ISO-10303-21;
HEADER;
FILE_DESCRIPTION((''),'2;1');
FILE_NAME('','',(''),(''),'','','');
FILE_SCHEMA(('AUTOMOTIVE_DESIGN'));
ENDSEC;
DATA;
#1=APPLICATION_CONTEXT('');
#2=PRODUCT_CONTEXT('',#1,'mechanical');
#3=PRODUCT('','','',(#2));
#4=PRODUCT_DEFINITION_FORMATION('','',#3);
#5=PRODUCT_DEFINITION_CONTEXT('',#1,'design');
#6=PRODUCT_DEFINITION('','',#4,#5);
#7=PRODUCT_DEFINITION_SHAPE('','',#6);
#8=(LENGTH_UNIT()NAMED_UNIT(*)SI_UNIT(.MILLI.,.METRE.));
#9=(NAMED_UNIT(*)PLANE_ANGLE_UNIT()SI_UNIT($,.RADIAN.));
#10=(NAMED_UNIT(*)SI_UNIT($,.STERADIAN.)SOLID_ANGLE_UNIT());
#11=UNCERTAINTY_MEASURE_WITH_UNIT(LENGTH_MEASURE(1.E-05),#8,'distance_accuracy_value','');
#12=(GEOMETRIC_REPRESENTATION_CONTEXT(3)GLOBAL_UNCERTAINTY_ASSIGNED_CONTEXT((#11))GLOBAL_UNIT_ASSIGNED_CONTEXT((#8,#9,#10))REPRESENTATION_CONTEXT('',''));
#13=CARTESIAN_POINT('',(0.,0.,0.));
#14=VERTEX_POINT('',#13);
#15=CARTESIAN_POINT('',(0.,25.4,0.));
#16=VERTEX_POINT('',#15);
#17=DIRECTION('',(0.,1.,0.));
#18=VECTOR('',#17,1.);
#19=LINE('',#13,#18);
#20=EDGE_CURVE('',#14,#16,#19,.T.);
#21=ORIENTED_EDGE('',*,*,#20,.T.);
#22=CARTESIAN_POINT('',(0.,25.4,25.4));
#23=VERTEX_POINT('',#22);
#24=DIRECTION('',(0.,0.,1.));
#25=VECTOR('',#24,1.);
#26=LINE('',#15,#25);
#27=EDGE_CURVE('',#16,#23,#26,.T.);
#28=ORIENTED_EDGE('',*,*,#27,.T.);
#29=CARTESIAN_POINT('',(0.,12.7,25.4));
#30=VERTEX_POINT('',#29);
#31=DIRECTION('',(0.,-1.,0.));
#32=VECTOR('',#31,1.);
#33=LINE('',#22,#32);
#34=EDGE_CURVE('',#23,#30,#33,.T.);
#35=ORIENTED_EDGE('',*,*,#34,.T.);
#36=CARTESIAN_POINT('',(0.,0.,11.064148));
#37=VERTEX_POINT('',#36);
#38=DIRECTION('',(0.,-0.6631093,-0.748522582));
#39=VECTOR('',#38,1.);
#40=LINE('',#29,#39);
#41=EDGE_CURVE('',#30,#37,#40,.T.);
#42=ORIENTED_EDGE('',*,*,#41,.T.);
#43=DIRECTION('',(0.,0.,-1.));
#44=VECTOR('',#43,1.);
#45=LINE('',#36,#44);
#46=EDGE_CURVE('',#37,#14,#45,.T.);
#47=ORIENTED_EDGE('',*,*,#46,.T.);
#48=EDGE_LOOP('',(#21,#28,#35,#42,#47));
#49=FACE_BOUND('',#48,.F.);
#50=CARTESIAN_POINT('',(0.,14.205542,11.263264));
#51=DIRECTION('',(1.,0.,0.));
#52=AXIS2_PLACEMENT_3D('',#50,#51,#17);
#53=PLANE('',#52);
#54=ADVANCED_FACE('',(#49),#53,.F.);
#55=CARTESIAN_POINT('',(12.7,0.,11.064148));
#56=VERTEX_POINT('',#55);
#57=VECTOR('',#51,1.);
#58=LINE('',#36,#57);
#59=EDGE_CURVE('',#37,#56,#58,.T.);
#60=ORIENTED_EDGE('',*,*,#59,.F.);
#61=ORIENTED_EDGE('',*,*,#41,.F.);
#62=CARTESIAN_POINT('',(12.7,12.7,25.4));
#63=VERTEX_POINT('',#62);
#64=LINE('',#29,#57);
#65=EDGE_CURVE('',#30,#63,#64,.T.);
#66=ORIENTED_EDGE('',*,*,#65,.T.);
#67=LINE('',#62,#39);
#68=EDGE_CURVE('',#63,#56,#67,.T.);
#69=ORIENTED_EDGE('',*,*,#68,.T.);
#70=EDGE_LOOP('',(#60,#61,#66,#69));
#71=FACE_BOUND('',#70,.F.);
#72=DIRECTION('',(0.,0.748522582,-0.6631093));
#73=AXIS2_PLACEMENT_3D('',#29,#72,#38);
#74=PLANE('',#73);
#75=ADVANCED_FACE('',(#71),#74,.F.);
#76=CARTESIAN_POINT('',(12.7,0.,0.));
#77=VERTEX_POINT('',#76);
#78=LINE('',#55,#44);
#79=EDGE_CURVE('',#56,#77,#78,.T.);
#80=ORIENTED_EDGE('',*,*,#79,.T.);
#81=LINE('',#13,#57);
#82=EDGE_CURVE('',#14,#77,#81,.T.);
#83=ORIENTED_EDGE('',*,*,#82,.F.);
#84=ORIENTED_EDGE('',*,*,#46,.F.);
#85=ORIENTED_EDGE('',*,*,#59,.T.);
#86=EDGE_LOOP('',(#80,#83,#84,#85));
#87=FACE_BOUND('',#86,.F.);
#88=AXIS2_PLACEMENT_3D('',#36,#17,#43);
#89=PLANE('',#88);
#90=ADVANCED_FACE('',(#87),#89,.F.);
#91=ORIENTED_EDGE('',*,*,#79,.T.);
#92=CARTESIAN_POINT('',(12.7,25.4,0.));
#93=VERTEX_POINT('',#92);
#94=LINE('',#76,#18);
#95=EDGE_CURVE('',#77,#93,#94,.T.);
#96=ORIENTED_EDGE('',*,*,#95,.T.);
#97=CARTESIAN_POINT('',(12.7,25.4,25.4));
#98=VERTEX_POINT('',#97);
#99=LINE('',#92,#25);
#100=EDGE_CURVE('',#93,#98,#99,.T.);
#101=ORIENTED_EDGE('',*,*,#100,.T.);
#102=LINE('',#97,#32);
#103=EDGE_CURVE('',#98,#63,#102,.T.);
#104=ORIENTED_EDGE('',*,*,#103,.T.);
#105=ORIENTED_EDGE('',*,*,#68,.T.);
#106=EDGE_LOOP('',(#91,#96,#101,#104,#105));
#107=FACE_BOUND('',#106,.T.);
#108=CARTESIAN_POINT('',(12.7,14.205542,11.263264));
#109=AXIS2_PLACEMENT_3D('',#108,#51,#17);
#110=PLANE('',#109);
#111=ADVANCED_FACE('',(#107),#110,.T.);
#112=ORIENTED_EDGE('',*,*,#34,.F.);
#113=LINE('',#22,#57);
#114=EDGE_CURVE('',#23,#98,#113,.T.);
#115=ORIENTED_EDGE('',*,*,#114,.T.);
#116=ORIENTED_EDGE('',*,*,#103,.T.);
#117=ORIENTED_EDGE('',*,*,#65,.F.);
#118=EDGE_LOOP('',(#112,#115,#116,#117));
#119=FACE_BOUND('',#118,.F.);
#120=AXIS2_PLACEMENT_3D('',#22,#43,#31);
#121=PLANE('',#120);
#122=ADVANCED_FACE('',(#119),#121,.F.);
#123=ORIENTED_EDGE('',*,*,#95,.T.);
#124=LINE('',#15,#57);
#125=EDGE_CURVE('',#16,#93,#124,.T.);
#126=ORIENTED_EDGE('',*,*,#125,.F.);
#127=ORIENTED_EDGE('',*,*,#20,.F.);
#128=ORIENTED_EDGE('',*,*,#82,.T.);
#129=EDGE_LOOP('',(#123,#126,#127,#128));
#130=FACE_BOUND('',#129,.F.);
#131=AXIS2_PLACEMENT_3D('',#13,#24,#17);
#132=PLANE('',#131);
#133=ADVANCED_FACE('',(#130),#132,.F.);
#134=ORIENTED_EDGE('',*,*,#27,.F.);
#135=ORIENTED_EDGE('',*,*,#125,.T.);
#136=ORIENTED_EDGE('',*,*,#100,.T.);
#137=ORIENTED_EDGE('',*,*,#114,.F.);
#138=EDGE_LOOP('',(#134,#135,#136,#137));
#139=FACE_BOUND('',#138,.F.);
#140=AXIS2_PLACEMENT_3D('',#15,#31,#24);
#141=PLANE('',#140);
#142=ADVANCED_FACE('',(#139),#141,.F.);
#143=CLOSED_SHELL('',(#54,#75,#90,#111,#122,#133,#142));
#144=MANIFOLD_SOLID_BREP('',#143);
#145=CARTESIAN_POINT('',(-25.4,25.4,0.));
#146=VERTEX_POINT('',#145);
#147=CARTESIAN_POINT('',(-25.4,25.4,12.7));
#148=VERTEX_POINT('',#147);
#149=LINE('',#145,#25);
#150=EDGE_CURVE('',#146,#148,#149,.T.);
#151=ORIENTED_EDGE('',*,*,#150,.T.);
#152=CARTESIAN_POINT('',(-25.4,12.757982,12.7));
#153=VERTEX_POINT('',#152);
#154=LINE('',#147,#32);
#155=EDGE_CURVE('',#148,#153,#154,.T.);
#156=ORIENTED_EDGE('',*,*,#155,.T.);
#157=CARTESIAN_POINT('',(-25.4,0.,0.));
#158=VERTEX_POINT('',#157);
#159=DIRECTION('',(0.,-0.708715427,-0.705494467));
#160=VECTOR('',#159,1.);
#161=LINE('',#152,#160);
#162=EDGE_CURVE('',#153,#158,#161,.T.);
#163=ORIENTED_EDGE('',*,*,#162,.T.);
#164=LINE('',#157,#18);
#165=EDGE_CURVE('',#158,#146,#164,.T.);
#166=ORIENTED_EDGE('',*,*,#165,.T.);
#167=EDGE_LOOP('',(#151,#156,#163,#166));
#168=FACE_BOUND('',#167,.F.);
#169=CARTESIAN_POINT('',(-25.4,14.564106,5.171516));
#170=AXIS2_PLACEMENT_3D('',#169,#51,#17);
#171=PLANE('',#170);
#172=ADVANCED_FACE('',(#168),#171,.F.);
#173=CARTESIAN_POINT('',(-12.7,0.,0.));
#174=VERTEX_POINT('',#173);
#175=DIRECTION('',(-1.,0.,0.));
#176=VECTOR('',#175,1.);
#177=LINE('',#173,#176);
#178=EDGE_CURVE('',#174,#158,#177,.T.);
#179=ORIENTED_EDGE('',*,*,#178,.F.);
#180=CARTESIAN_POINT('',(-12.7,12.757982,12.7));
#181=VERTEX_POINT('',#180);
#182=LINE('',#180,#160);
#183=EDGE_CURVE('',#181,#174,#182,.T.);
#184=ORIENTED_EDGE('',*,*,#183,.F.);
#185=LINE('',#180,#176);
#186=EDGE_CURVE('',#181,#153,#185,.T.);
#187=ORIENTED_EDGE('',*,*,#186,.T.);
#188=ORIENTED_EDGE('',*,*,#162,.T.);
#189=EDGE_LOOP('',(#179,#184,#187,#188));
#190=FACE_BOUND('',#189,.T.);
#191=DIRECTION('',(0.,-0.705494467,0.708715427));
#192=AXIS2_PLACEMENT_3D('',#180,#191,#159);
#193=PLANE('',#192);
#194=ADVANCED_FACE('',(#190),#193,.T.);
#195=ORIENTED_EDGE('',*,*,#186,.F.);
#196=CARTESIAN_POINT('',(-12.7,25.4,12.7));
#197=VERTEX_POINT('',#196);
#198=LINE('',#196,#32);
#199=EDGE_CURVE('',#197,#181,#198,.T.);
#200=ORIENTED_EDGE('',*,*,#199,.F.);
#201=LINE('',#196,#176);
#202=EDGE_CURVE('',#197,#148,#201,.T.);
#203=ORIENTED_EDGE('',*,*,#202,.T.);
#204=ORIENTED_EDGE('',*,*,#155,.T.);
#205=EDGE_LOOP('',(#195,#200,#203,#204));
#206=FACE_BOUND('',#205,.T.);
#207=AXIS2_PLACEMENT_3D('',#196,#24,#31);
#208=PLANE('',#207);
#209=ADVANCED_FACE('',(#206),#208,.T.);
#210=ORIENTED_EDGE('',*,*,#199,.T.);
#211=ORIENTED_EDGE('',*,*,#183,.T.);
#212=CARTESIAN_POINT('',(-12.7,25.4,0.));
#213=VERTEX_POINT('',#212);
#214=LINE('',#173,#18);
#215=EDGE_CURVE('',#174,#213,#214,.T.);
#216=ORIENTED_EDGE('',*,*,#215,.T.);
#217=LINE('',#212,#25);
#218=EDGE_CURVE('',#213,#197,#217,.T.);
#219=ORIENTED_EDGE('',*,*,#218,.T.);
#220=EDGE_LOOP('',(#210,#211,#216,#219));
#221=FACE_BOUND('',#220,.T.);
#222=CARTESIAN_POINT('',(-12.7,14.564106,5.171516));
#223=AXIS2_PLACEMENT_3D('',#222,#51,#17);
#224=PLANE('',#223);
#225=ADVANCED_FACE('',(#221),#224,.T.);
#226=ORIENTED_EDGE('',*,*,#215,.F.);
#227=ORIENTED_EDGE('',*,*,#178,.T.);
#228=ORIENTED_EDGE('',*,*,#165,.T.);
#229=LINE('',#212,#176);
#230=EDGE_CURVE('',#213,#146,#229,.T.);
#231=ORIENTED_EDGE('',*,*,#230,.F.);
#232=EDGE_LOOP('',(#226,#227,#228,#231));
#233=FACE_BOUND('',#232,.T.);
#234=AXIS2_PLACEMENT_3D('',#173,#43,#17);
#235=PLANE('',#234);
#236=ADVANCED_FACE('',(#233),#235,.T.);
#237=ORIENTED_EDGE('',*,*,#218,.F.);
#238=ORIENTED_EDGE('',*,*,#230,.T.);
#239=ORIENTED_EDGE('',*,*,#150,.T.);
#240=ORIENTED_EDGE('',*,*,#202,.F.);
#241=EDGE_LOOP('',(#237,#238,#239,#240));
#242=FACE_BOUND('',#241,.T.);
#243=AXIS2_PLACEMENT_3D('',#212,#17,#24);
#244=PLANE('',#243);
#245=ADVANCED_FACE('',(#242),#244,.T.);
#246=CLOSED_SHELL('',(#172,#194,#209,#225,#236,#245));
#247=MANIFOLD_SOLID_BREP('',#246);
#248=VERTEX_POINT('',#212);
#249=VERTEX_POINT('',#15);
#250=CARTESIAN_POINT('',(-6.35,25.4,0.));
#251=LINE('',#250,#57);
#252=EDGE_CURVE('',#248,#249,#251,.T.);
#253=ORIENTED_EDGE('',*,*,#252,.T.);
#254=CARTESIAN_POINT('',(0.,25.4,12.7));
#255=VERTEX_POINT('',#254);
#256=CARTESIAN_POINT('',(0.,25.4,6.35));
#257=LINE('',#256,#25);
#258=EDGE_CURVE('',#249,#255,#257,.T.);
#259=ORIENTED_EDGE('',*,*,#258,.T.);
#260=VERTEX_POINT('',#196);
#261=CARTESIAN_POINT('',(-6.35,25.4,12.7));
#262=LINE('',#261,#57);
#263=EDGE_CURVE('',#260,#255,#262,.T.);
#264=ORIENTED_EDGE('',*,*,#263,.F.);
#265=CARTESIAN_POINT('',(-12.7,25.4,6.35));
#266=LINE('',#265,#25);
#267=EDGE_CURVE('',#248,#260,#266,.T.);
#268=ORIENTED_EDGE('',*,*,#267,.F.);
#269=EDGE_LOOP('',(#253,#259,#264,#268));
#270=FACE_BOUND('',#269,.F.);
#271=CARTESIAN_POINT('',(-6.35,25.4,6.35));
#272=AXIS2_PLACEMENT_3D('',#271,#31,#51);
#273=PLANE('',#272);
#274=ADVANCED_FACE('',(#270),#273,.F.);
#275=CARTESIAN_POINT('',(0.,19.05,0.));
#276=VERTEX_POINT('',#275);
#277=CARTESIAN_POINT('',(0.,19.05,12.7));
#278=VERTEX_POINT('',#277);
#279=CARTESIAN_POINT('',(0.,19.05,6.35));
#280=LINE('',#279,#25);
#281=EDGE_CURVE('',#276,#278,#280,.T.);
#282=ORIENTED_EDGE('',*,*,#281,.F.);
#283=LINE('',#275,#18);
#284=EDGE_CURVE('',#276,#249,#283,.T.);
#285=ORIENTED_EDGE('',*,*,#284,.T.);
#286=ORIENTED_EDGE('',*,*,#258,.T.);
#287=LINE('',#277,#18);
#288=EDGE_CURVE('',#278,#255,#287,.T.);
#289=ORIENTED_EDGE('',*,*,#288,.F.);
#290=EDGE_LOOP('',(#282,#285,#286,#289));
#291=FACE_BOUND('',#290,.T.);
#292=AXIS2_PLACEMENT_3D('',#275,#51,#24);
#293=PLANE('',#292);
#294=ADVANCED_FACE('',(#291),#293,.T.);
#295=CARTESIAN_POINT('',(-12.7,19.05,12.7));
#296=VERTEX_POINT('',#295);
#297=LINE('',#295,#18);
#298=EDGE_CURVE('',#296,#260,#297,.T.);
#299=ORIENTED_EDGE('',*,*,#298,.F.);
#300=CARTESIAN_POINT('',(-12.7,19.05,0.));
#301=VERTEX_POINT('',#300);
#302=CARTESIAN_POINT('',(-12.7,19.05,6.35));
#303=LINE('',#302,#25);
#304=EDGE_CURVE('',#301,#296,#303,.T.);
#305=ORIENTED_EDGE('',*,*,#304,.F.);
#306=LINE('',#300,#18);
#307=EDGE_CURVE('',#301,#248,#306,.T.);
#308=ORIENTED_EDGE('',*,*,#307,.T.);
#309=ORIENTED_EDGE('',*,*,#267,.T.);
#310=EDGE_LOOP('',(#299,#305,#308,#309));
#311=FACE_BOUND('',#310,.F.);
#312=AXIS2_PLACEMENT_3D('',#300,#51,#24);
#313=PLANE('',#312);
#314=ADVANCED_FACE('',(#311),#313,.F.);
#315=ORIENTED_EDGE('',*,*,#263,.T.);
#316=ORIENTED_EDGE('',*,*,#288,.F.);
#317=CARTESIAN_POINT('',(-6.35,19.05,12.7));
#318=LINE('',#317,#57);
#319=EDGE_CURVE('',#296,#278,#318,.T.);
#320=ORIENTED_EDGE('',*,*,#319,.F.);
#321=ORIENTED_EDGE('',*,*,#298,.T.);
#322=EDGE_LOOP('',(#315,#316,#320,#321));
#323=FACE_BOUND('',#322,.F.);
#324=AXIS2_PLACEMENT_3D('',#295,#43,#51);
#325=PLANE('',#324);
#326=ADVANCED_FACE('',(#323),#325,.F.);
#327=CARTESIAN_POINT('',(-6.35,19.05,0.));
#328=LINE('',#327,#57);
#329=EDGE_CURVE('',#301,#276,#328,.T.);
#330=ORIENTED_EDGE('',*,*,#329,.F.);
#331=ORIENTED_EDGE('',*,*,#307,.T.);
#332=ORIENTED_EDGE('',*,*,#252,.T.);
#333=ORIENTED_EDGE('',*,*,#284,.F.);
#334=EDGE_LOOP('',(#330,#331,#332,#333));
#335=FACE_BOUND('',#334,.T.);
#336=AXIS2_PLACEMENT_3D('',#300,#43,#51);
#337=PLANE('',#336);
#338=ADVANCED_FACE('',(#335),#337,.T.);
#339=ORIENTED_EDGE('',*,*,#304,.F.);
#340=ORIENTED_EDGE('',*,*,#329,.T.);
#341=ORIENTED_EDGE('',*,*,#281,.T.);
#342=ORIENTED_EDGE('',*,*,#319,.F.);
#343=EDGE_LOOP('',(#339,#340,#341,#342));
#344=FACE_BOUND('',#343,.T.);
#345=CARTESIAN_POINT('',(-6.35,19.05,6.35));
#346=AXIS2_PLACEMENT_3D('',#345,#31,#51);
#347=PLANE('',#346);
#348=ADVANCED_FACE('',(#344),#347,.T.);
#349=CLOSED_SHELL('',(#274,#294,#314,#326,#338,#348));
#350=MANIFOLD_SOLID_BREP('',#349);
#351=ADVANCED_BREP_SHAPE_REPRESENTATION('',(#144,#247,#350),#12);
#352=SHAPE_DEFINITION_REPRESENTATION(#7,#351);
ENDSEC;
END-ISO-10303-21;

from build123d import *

# Parameters (mm, degrees)
F1_DEPTH = 12.7
F3_START = -12.7
F3_DEPTH = 12.7
F5_START = -19.05
F4_W     = 12.7
F4_H     = 12.7
F5_DEPTH = 6.35


with BuildPart() as f1:
    # F0 (on Right) → F1 (new body)
    with BuildSketch(Plane.YZ):
        Polygon((0, 11.0641479859), (0, 0), (25.4, 0), (25.4, 25.4), (12.7, 25.4), align=None)
    extrude(amount=F1_DEPTH)


with BuildPart() as f3:
    # F2 (on Right) → F3 (new body)
    with BuildSketch(Plane.YZ.offset(F3_START)):
        Polygon((0, 0), (25.4, 0), (25.4, 12.7), (12.75798229, 12.7), align=None)
    extrude(amount=-F3_DEPTH)


with BuildPart() as f5:
    # F4 (on Front) → F5 (new body)
    with BuildSketch(Plane.XZ.offset(F5_START)):
        with Locations((-6.35, 6.35)):
            Rectangle(F4_W, F4_H)
    extrude(amount=-F5_DEPTH)


solid = Compound([f1.part, f3.part, f5.part])
